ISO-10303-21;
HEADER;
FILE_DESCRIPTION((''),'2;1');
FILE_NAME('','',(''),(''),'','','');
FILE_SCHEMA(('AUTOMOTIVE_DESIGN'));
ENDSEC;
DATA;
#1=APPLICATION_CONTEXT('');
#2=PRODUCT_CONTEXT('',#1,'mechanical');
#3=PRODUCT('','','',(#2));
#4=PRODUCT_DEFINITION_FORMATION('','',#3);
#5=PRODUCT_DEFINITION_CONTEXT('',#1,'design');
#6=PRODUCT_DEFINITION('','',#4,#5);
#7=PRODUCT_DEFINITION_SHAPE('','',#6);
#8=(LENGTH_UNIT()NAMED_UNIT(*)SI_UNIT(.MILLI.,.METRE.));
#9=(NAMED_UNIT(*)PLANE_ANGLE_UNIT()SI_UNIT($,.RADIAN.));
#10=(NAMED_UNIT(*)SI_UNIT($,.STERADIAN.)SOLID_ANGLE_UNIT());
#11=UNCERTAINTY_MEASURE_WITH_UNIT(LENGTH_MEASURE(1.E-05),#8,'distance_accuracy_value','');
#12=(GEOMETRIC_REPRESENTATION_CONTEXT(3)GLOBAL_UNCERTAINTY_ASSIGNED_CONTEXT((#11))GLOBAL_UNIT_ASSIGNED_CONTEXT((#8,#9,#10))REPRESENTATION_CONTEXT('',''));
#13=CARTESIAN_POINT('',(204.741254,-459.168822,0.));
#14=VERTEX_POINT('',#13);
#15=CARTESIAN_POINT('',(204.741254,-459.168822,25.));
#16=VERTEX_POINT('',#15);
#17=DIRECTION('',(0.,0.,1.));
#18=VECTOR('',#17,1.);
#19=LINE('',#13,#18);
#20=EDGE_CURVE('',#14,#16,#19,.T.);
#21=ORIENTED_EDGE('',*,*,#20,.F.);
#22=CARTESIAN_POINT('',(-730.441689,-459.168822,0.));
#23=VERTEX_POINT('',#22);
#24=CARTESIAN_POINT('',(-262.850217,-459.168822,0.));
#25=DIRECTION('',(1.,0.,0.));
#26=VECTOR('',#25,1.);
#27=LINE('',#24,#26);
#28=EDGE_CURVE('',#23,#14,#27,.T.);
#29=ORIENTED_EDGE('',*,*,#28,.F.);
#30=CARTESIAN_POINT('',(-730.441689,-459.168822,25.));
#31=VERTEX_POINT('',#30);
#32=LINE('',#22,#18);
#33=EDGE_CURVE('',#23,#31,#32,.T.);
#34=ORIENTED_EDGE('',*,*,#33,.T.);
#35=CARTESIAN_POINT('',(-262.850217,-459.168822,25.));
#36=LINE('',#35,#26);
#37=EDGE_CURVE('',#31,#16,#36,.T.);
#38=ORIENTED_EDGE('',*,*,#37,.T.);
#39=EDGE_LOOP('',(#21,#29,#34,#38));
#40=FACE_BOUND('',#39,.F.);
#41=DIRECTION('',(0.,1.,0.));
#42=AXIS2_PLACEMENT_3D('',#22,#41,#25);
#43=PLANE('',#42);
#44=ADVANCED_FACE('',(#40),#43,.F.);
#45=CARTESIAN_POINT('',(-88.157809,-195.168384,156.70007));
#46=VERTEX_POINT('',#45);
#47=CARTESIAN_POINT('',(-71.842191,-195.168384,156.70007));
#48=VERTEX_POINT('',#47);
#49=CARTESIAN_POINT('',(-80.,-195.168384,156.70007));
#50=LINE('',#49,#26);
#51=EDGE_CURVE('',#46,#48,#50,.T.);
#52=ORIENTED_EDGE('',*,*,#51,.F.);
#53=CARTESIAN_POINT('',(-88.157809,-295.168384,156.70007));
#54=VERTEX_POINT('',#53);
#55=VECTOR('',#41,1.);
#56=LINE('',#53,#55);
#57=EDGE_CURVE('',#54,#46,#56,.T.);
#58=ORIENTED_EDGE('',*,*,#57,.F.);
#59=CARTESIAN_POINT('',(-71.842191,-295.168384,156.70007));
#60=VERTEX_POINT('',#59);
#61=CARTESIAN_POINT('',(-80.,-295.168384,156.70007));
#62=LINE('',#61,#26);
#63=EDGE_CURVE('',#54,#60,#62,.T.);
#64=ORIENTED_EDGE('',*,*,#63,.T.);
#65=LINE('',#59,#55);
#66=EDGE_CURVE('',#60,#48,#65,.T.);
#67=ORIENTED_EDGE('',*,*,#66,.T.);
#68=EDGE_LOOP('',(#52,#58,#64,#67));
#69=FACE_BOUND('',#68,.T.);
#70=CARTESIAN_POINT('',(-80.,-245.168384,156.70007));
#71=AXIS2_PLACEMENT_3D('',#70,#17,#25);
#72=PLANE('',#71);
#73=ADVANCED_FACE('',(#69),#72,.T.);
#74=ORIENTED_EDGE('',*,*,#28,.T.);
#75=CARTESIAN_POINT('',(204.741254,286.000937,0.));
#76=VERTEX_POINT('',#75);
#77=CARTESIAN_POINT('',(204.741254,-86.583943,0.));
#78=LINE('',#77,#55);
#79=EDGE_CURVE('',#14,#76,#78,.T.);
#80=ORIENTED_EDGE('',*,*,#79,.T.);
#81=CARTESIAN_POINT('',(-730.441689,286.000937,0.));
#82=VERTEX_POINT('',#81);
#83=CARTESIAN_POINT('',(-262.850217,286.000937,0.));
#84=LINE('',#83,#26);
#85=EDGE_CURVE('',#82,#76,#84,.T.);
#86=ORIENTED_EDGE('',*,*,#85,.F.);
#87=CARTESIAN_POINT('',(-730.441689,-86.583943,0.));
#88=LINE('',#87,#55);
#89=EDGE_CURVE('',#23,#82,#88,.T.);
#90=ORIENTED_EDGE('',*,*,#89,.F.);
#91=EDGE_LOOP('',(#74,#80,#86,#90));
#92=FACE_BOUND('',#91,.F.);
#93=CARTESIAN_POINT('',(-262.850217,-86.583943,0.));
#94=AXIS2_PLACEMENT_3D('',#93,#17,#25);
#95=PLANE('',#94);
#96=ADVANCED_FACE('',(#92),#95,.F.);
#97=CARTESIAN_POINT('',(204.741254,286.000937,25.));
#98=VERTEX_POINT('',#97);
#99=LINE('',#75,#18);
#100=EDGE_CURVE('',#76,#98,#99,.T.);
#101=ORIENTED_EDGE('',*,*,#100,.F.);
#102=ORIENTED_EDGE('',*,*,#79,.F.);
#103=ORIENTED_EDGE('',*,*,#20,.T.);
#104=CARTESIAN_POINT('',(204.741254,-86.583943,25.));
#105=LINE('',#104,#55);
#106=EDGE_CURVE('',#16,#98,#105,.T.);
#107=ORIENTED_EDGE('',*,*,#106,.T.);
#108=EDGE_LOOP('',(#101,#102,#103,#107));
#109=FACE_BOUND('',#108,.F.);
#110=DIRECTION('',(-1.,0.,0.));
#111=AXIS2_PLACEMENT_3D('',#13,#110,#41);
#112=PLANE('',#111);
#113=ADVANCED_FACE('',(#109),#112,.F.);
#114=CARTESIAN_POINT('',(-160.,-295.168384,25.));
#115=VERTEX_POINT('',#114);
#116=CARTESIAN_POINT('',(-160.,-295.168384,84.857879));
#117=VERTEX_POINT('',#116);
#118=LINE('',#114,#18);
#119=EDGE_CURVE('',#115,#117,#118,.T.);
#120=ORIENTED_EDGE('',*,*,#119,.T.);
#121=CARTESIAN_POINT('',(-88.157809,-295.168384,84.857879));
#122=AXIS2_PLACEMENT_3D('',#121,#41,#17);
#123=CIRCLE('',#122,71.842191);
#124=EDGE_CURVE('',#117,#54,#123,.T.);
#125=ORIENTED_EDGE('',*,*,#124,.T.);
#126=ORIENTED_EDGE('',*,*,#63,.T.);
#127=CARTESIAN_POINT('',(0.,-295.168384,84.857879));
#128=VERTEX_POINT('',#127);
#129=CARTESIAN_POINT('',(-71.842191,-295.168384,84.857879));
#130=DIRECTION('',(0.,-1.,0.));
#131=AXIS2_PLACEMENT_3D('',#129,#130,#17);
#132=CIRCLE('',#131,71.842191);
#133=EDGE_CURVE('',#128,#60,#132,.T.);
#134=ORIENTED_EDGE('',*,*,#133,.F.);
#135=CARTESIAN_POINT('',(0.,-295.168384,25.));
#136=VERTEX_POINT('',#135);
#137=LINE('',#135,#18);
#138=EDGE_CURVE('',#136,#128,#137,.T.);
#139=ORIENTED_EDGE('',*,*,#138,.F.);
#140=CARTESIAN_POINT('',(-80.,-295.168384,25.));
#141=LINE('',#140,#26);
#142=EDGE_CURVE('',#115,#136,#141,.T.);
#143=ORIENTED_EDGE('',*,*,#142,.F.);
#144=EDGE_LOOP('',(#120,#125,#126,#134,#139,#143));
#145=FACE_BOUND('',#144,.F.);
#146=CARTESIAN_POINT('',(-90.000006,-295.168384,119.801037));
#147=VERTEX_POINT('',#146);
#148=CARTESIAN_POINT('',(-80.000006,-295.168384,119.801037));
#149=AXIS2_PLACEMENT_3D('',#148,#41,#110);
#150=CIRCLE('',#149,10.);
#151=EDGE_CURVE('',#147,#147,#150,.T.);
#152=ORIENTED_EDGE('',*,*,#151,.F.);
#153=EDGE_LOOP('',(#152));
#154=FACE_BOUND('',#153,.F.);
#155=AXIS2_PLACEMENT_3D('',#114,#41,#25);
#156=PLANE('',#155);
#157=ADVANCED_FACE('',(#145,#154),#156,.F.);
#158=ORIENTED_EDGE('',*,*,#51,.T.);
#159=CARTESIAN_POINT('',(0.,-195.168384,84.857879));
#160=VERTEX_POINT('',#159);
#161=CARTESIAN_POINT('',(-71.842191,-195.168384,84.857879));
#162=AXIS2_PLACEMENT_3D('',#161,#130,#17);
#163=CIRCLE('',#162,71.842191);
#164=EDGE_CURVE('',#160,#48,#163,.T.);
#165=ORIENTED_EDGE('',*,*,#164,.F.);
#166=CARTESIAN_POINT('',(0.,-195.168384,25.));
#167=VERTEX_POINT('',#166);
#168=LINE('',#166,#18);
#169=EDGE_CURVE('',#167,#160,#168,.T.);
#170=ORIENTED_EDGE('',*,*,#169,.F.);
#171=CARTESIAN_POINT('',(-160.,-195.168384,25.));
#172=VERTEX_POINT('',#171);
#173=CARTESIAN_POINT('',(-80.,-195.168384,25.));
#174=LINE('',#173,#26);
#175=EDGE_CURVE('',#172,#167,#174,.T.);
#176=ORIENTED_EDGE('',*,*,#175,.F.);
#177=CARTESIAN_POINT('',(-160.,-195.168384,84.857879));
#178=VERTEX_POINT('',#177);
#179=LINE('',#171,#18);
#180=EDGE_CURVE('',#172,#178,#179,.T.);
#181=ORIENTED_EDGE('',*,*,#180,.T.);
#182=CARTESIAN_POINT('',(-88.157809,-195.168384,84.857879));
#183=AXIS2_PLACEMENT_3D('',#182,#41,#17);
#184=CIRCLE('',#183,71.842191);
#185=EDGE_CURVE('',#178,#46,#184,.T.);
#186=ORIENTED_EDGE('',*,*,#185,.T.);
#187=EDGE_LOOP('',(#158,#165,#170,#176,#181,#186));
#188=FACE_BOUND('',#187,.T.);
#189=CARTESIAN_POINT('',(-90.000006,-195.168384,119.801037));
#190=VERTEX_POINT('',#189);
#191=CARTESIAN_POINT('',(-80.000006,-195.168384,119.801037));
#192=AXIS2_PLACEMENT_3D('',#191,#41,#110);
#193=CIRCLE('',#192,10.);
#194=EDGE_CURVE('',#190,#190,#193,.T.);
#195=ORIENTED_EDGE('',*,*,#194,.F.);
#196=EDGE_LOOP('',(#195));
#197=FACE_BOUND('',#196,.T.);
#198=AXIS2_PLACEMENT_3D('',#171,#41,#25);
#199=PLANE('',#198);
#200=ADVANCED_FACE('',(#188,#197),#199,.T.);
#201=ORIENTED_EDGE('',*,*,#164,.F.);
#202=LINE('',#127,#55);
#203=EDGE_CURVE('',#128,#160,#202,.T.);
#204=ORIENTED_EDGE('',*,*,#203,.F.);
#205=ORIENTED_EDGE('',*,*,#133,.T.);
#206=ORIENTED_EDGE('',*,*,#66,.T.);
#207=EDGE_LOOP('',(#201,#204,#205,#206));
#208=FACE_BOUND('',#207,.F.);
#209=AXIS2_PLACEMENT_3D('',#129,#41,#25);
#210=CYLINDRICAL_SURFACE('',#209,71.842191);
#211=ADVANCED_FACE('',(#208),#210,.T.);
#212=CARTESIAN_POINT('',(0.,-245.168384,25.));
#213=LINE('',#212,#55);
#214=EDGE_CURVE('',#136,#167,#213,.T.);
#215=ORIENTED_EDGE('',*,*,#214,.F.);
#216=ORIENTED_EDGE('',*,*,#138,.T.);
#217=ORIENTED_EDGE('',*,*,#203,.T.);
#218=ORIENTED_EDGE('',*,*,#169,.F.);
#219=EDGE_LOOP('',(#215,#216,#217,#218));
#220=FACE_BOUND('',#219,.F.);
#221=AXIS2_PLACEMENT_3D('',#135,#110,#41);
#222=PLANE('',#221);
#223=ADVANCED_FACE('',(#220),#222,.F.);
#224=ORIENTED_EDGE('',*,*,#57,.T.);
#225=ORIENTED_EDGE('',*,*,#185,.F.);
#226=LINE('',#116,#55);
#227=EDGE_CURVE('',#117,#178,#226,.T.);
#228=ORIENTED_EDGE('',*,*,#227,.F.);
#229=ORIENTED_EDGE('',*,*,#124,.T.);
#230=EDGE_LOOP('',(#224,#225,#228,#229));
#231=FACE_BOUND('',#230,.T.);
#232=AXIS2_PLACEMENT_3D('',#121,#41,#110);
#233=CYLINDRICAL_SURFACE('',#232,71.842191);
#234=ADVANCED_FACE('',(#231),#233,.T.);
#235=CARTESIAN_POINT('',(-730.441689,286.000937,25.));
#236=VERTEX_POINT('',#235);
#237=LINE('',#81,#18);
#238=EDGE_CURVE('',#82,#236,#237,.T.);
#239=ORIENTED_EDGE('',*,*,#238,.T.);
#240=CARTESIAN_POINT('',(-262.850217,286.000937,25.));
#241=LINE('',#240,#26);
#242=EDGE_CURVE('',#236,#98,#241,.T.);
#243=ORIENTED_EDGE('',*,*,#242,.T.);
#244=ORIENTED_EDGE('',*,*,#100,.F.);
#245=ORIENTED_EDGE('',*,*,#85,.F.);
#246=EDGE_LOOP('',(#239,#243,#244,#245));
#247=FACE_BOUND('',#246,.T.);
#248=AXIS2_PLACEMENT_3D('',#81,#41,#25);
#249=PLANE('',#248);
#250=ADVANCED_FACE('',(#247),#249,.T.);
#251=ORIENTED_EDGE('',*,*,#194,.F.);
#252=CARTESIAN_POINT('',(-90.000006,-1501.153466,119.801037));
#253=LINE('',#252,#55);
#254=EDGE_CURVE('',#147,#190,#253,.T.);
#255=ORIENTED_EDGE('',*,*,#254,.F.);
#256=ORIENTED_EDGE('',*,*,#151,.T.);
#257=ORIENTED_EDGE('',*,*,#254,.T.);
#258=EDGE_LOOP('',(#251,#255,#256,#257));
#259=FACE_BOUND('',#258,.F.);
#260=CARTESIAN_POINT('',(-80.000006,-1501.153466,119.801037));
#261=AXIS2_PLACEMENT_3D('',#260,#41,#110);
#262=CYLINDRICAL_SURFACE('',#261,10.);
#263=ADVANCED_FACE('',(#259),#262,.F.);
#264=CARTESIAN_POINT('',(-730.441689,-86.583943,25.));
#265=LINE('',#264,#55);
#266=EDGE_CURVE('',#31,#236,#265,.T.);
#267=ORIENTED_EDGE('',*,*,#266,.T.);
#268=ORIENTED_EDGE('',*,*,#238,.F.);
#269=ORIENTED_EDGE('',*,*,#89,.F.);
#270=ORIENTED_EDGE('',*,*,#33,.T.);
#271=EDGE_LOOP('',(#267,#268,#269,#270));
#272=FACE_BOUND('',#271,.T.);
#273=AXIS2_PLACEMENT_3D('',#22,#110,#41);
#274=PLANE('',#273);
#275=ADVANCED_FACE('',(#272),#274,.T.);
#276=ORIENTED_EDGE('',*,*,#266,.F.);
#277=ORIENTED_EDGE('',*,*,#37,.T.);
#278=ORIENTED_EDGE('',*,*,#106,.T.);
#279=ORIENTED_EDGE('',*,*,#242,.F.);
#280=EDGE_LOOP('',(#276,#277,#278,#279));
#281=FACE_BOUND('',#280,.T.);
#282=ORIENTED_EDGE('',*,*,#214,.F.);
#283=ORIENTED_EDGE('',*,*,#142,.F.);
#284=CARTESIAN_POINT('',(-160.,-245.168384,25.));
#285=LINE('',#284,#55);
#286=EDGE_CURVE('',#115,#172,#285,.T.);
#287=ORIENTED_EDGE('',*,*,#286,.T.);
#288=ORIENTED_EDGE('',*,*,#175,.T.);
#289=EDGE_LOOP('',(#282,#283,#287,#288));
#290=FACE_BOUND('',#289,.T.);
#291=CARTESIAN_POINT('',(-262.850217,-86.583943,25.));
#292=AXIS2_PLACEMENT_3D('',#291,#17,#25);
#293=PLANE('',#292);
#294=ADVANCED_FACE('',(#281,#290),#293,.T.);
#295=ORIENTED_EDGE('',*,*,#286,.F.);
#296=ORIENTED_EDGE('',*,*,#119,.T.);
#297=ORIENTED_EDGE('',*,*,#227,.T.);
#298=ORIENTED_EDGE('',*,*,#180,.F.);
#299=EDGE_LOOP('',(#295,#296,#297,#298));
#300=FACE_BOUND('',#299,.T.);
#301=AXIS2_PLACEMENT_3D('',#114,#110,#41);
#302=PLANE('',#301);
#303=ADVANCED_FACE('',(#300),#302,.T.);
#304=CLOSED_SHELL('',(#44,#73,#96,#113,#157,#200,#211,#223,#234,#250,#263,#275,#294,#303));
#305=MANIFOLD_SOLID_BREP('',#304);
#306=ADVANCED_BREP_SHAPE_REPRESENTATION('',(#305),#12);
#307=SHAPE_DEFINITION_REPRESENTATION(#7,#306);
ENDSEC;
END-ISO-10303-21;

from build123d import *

# Parameters (mm, degrees)
F0_W     = 935.182943
F0_H     = 745.169759
F1_DEPTH = 25
F2_W     = 160
F2_H     = 100
F3_DEPTH = 131.70007
F5_D     = 20
F6_R     = 71.842191


with BuildPart() as f1:
    # F0 (on Top) → F1 (new body)
    with BuildSketch(Plane.XY):
        with Locations((-262.850217, -86.583943)):
            Rectangle(F0_W, F0_H)
    extrude(amount=F1_DEPTH)

    # F2 (on face) → F3 (join)
    with BuildSketch(Plane.XY.offset(25)):
        with Locations((-80, -245.168384)):
            Rectangle(F2_W, F2_H)
    extrude(amount=F3_DEPTH)

    # F5 (through all)
    with Locations(Plane.XZ.offset(295.168384)):
        with Locations((-80.000006, 119.801037)):
            Hole(F5_D / 2)

    # F6
    f6_edges = [f1.edges().sort_by_distance(p)[0] for p in [
        (0, -245.168384, 156.70007),
        (-160, -245.168384, 156.70007),
    ]]
    fillet(f6_edges, radius=F6_R)


solid = f1.part
